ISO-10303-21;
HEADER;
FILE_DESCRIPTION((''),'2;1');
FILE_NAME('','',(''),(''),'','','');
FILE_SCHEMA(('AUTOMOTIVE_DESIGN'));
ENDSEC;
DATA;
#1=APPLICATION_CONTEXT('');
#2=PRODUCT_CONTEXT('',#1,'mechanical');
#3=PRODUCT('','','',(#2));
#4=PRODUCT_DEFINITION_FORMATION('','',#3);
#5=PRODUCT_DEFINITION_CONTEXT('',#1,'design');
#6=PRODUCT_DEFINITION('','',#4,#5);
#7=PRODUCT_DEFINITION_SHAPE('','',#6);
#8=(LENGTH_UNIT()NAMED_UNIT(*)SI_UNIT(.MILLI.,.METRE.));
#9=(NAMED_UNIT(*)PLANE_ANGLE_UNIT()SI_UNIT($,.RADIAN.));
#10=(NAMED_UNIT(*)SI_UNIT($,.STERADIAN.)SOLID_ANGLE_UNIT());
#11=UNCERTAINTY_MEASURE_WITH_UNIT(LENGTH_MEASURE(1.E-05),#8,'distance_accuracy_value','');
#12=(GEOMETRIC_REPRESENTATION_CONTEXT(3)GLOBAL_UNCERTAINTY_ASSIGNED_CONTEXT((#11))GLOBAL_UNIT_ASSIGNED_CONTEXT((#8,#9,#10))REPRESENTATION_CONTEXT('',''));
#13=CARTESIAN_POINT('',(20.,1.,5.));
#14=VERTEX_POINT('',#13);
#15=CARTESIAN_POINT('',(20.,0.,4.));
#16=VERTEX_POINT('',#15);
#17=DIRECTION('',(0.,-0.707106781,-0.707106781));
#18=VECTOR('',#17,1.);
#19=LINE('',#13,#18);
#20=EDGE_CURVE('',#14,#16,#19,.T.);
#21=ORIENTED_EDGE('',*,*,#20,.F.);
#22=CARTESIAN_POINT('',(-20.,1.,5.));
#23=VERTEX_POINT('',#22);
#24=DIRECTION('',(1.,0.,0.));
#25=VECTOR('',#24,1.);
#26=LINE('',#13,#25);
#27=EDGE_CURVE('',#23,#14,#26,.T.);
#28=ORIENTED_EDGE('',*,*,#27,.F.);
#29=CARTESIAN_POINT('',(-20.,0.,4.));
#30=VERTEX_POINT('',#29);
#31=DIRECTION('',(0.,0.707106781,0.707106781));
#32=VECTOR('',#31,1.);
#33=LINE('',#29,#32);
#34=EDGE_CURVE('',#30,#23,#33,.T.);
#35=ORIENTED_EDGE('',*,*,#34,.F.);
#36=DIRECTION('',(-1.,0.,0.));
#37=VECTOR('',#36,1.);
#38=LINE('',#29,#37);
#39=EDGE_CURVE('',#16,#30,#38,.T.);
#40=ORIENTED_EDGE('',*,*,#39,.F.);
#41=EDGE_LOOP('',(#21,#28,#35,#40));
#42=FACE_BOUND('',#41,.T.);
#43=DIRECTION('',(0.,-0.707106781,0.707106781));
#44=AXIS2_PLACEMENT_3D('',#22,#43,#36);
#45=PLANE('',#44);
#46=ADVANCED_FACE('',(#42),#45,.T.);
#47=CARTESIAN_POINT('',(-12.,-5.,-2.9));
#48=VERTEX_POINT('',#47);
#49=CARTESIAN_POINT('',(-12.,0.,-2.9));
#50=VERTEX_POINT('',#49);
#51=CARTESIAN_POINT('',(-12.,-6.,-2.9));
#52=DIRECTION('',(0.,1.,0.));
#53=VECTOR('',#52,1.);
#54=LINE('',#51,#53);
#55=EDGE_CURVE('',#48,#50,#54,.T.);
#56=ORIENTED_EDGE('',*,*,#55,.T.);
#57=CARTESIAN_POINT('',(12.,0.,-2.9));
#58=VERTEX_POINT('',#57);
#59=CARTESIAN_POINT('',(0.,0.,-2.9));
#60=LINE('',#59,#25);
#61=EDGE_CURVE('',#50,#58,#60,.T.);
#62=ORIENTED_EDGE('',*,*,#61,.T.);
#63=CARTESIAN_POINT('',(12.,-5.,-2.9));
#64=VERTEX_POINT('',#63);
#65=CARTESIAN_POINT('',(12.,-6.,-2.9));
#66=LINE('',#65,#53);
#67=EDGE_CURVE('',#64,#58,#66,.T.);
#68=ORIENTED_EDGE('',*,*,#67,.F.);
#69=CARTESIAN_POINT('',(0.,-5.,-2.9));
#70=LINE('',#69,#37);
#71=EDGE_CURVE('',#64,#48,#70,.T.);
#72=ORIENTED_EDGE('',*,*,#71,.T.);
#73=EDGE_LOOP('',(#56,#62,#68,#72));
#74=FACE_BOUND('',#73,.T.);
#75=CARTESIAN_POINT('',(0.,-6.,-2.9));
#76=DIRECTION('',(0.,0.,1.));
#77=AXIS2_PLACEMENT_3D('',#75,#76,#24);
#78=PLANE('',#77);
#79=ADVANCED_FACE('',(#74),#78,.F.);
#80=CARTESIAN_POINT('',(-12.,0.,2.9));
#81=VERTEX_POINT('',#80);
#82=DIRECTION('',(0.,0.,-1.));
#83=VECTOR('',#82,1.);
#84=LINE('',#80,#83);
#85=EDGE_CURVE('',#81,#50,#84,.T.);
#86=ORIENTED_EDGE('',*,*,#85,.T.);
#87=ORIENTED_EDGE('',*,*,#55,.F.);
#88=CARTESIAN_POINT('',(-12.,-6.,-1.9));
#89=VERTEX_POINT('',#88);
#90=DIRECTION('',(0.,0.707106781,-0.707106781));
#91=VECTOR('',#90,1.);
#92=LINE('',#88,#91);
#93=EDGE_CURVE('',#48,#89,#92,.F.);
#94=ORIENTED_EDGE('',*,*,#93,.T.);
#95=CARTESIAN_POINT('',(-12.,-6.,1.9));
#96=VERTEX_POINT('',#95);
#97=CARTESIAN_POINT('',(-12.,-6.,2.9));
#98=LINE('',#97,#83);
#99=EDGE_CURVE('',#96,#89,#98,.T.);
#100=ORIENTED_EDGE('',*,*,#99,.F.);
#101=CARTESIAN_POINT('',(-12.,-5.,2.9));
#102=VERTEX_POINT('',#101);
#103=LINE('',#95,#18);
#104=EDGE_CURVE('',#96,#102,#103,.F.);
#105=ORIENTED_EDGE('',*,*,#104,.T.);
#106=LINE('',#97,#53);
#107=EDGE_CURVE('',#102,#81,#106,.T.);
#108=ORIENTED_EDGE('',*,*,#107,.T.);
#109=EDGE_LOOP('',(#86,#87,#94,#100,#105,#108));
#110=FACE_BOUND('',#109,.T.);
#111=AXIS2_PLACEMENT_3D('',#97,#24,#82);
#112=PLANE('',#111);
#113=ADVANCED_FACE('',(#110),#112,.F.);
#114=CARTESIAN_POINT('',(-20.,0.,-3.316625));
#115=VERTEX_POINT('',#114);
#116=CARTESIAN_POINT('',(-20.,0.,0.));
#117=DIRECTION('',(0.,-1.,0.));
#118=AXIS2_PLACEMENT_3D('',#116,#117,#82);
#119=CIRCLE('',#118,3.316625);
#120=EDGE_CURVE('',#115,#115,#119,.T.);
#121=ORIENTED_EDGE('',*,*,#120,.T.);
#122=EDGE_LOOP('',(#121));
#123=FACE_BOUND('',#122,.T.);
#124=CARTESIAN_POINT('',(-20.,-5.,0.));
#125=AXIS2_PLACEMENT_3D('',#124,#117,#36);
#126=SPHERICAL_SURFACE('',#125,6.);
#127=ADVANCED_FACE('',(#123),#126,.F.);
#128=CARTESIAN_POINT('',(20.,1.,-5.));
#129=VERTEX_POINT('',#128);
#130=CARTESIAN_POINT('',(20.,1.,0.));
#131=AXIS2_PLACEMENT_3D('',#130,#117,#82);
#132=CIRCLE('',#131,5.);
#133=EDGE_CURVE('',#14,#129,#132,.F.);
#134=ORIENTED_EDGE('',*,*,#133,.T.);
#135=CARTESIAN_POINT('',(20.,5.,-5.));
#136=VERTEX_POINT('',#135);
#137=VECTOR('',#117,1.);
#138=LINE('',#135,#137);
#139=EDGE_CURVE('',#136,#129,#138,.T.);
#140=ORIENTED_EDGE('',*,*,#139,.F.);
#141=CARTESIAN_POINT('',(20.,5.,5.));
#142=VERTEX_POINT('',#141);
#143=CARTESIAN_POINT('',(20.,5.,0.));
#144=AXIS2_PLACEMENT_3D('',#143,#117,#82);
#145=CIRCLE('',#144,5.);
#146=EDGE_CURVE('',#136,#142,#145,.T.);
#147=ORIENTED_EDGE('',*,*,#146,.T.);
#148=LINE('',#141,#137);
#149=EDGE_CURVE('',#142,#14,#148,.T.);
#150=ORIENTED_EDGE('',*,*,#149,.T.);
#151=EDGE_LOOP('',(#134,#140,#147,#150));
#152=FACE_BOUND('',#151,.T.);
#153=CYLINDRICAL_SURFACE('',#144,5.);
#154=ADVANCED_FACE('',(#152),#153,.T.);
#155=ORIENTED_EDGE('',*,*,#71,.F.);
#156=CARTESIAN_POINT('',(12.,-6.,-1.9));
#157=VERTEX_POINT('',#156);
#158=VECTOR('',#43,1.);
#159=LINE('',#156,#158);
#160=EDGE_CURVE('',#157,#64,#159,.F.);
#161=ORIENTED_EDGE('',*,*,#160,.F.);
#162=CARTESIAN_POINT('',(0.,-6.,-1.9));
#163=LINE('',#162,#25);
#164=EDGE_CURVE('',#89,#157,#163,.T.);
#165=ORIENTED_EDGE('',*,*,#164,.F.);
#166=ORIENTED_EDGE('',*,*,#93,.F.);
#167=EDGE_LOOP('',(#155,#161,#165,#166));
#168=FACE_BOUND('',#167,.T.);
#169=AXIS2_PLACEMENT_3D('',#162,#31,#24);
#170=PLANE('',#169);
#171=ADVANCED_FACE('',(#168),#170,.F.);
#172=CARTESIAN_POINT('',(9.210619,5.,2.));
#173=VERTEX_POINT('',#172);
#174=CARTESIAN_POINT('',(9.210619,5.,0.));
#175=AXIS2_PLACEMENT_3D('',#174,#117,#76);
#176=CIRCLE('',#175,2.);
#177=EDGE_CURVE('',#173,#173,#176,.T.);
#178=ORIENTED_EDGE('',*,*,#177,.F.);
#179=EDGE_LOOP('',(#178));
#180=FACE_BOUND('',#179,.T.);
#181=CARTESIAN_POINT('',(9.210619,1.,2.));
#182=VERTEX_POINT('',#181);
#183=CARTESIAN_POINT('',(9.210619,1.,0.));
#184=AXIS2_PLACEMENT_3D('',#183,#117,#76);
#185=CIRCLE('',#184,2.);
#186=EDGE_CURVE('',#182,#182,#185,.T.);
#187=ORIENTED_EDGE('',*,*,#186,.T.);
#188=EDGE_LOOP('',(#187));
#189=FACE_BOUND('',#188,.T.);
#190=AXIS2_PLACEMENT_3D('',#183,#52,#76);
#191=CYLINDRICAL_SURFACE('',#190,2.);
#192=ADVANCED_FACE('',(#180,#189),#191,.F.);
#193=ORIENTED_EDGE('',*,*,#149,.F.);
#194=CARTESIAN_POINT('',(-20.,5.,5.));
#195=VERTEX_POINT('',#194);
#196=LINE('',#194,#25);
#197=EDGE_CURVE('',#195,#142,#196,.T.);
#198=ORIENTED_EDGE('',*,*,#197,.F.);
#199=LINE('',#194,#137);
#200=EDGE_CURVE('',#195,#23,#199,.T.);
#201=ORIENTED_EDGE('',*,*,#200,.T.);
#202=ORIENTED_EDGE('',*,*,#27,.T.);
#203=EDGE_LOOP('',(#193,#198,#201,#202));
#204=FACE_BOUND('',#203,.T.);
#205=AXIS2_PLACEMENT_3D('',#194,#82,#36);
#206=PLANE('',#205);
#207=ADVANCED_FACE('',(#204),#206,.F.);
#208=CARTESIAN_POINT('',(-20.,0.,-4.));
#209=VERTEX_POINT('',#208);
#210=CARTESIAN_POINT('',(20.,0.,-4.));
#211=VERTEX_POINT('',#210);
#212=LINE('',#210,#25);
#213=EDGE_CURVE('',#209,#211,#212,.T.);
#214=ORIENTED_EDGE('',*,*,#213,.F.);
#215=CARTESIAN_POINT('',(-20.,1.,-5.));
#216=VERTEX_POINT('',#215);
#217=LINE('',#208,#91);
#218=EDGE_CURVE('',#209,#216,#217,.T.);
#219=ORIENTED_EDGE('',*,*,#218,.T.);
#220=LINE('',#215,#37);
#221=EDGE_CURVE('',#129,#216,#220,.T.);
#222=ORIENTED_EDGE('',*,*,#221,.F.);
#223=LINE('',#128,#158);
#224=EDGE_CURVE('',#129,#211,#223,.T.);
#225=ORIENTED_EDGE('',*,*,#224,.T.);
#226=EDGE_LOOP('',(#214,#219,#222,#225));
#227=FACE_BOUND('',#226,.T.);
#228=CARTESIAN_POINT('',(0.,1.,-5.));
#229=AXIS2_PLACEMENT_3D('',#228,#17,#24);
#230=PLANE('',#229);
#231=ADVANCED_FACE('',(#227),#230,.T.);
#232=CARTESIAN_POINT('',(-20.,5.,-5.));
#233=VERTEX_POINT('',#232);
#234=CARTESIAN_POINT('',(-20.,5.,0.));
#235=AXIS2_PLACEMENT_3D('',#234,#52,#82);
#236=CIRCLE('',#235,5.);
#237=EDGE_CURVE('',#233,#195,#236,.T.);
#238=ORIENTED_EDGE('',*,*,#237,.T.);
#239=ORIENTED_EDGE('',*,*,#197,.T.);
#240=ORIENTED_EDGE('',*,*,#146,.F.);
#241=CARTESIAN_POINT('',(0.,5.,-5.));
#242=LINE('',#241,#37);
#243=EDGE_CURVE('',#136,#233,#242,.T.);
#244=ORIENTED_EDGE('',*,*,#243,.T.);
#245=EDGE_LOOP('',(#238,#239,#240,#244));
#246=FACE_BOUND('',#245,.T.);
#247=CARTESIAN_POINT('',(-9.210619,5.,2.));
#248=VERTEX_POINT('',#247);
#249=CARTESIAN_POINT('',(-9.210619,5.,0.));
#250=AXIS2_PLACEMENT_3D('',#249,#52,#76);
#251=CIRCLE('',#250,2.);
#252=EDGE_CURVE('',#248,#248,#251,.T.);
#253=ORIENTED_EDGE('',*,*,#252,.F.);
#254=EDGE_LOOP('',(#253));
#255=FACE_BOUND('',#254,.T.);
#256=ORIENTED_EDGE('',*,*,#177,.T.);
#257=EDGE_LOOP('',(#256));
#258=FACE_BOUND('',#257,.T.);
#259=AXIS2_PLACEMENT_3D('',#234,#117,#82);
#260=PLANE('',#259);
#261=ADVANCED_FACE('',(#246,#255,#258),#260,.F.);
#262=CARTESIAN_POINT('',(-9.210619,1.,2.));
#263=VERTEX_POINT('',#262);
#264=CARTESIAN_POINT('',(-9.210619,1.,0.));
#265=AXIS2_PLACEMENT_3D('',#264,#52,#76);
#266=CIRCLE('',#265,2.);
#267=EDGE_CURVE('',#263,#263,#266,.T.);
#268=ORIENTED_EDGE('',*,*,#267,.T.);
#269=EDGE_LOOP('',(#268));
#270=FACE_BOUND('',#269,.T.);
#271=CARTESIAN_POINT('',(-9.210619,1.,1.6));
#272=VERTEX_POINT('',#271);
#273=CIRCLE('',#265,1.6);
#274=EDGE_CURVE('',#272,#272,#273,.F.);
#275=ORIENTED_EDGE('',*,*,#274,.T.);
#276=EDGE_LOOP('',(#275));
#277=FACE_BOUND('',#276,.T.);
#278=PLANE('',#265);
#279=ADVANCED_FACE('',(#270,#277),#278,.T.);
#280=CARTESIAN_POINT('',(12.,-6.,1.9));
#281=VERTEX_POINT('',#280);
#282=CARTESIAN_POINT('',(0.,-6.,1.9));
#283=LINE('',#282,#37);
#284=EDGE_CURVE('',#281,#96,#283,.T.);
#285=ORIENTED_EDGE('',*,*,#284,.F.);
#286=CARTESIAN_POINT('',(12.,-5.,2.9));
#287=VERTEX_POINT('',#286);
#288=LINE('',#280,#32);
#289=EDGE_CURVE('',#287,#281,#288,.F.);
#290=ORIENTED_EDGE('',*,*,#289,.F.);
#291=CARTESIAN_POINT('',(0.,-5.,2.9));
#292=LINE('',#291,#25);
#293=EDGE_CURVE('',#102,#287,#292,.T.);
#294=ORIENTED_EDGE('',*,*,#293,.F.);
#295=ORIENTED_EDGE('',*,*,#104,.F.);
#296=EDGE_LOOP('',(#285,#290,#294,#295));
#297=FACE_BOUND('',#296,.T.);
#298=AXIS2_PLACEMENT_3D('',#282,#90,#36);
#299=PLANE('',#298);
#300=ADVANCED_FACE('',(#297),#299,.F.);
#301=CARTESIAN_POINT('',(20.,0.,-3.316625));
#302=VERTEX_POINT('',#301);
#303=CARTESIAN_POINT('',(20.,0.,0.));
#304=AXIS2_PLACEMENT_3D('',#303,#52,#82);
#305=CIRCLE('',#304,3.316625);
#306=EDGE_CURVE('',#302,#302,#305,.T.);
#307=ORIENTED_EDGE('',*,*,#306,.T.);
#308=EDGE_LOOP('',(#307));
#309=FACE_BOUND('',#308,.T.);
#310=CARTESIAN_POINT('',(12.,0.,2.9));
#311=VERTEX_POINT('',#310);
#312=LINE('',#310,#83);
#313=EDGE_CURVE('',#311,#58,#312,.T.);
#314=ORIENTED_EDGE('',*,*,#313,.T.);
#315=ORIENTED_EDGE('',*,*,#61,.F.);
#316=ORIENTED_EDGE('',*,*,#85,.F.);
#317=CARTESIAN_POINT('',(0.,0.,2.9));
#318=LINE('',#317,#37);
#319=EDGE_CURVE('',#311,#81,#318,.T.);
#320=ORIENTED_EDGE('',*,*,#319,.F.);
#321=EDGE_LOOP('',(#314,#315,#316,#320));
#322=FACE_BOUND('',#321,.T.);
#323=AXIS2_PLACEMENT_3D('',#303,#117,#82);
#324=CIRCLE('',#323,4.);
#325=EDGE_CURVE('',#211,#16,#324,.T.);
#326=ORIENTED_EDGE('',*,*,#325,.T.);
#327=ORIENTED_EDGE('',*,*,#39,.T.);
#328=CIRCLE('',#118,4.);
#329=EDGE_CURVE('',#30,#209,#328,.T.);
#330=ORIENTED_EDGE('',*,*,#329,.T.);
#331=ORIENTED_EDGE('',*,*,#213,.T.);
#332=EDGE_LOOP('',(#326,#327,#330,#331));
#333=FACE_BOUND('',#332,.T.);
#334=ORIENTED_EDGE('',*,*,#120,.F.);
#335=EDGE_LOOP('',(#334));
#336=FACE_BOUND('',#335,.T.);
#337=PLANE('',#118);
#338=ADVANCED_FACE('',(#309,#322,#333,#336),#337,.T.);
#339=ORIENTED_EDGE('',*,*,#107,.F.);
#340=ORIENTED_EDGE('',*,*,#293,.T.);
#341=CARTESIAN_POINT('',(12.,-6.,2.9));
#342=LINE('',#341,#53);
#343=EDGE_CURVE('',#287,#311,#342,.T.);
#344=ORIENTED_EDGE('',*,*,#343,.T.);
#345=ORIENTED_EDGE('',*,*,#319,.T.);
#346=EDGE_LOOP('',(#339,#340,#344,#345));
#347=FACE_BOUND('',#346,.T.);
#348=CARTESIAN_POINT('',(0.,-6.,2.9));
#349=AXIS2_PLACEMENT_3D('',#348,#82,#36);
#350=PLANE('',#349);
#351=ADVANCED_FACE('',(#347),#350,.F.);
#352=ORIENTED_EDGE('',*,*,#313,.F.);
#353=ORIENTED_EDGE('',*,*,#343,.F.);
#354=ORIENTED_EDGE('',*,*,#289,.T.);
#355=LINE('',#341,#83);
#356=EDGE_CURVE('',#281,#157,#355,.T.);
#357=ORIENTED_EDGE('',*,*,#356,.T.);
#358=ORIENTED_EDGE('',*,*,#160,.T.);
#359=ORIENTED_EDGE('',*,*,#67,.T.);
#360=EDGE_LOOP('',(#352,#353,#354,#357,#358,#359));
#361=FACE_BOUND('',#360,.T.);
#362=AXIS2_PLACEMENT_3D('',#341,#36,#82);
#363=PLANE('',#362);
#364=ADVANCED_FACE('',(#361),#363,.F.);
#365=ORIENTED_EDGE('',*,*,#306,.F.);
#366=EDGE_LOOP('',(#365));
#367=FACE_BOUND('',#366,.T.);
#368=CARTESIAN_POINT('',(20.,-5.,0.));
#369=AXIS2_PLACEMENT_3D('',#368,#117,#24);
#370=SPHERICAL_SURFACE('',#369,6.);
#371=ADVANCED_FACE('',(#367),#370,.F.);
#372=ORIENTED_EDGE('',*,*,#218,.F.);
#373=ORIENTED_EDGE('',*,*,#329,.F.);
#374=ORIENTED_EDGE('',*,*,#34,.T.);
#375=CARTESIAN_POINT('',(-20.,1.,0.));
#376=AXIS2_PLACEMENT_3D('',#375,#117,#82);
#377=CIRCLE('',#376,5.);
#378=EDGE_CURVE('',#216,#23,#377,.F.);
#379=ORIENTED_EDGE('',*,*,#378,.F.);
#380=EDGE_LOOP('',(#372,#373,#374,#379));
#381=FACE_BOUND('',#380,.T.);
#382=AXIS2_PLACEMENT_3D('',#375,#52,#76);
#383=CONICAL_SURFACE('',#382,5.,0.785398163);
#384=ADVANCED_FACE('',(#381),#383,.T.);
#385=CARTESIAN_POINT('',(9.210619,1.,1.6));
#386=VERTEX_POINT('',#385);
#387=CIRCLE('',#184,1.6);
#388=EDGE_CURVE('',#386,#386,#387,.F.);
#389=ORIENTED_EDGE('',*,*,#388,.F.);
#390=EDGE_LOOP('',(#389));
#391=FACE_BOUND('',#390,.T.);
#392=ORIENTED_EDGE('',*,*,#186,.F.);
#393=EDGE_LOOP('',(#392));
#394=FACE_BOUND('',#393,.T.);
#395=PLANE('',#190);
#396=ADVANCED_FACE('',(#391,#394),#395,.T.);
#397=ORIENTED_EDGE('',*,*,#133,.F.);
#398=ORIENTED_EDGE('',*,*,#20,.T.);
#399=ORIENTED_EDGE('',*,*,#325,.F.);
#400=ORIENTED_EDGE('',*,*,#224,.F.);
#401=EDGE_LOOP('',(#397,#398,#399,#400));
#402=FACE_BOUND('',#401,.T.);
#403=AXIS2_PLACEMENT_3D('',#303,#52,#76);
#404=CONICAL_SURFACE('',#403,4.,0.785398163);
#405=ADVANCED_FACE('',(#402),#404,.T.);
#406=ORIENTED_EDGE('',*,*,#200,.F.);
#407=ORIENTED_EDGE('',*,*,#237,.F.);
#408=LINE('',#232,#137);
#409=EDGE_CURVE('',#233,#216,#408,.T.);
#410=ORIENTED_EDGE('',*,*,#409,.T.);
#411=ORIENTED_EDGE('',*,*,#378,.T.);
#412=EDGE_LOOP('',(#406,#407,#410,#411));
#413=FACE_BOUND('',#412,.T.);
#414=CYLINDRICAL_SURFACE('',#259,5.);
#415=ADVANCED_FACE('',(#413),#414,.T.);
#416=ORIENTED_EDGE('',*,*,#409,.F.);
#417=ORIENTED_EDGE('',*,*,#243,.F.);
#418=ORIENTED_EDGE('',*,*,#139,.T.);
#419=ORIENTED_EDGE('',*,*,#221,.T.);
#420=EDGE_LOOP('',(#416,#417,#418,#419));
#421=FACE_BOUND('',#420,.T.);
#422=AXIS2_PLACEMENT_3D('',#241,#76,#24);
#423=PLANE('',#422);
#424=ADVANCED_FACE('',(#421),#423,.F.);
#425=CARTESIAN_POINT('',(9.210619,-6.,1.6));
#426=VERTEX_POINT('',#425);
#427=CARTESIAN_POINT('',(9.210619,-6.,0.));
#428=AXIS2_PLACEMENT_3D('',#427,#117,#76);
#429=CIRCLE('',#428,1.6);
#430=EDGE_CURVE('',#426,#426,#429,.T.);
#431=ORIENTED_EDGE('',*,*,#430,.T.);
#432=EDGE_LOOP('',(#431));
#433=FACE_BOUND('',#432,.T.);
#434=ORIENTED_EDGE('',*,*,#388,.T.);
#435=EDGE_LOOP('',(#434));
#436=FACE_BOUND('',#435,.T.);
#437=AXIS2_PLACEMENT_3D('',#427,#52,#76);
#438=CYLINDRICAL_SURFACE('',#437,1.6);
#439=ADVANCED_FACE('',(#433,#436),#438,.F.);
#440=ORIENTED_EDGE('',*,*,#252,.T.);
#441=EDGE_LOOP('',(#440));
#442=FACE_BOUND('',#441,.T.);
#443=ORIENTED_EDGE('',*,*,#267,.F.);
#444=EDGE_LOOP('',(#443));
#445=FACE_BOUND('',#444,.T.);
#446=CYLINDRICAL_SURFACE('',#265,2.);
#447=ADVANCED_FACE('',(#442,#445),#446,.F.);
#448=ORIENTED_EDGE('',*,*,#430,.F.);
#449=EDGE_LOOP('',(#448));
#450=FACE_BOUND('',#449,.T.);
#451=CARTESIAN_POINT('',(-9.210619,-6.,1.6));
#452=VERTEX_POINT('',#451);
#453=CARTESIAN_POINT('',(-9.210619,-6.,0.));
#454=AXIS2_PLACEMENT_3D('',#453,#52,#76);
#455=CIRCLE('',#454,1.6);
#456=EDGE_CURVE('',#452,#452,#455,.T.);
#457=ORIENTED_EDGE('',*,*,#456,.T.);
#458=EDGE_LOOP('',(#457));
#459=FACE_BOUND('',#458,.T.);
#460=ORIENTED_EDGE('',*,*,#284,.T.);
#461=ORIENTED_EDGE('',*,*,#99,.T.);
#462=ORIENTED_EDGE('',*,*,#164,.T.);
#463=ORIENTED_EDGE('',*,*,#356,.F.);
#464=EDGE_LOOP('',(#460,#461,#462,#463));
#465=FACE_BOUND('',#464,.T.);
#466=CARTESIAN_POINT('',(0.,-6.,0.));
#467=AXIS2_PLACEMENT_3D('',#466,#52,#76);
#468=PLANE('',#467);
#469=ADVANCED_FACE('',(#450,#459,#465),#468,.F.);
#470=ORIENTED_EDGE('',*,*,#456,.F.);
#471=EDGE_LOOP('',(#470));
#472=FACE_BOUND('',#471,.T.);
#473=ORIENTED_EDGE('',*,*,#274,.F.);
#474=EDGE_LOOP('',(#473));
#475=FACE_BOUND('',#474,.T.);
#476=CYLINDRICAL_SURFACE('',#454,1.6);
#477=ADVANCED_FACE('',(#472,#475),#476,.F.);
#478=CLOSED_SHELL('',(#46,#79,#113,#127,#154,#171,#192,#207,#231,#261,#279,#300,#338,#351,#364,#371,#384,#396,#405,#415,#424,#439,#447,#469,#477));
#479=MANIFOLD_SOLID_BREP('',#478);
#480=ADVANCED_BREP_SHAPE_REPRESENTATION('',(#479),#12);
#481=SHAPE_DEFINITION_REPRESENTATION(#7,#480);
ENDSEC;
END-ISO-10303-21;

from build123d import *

# Parameters (mm, degrees)
BOSS_EXTRUDE1_DEPTH     = 5
SKETCH3_W               = 12
SKETCH3_H               = 5.8
BOSS_EXTRUDE2_DEPTH     = 6
CUT_EXTRUDE1_DEPTH      = 27.191601707
CUT_EXTRUDE1_DEPTH_BACK = 27.191601707
SKETCH4_R               = 1.6
SKETCH5_R               = 2
CUT_EXTRUDE2_DEPTH      = 4
CHAMFER2_SIZE           = 1


with BuildPart() as part:
    # Sketch1 → Boss-Extrude1 (new body)
    with BuildSketch(Plane(origin=(0, 0, 0), x_dir=(1, 0, 0), z_dir=(0, 1, 0))):
        with BuildLine():
            Line((0, 5), (-20, 5))
            ThreePointArc((-20, 5), (-25, 0), (-20, -5))
            Line((-20, -5), (0, -5))
            Line((0, -5), (0, 5))
        make_face()
    extrude(amount=BOSS_EXTRUDE1_DEPTH)

    # Sketch2 → Cut-Revolve1 (revolve, cut)
    with BuildSketch(Plane.XY):
        with BuildLine():
            Line((-20, 1), (-20, 0))
            Line((-20, 0), (-23.31662479, 0))
            ThreePointArc((-23.31662479, 0), (-21.732050808, 0.744562647), (-20, 1))
        make_face()
    revolve(axis=Axis((-20, -4.110143275, 0), (0, 1, 0)), mode=Mode.SUBTRACT)

    # Sketch3 → Boss-Extrude2 (add)
    with BuildSketch(Plane.XZ):
        with Locations((-6, 0)):
            Rectangle(SKETCH3_W, SKETCH3_H)
    extrude(amount=BOSS_EXTRUDE2_DEPTH)

    # Sketch4 → Cut-Extrude1 (cut, two sides: drawn at the far end of the back side and taken through both)
    with BuildSketch(Plane(origin=(0, 0, 0), x_dir=(1, 0, 0), z_dir=(0, 1, 0)).offset(-CUT_EXTRUDE1_DEPTH_BACK)):
        with Locations(Location((-9.210618834, 0, 0), (0, 0, 270))):
            Circle(SKETCH4_R)
    extrude(amount=CUT_EXTRUDE1_DEPTH + CUT_EXTRUDE1_DEPTH_BACK, mode=Mode.SUBTRACT)

    # Sketch5 → Cut-Extrude2 (cut)
    with BuildSketch(Plane(origin=(0, 5, 0), x_dir=(1, 0, 0), z_dir=(0, 1, 0))):
        with Locations(Location((-9.210618834, 0, 0), (0, 0, 270))):
            Circle(SKETCH5_R)
    extrude(amount=-CUT_EXTRUDE2_DEPTH, mode=Mode.SUBTRACT)

    # Mirror1: part across plane


with BuildPart() as part_1:
    add(part.part)
    add(part.part.mirror(Plane(origin=(0, 0, 0), x_dir=(0, 0, 1), z_dir=(1, 0, 0))))

    # Chamfer2
    chamfer2_edges = [part_1.edges().sort_by_distance(p)[0] for p in [
        (0, -6, 2.9),
        (0, -6, -2.9),
        (25, 0, 0),
        (0, 0, 5),
        (-25, 0, 0),
        (0, 0, -5),
    ]]
    chamfer(chamfer2_edges, length=CHAMFER2_SIZE)


solid = part_1.part
